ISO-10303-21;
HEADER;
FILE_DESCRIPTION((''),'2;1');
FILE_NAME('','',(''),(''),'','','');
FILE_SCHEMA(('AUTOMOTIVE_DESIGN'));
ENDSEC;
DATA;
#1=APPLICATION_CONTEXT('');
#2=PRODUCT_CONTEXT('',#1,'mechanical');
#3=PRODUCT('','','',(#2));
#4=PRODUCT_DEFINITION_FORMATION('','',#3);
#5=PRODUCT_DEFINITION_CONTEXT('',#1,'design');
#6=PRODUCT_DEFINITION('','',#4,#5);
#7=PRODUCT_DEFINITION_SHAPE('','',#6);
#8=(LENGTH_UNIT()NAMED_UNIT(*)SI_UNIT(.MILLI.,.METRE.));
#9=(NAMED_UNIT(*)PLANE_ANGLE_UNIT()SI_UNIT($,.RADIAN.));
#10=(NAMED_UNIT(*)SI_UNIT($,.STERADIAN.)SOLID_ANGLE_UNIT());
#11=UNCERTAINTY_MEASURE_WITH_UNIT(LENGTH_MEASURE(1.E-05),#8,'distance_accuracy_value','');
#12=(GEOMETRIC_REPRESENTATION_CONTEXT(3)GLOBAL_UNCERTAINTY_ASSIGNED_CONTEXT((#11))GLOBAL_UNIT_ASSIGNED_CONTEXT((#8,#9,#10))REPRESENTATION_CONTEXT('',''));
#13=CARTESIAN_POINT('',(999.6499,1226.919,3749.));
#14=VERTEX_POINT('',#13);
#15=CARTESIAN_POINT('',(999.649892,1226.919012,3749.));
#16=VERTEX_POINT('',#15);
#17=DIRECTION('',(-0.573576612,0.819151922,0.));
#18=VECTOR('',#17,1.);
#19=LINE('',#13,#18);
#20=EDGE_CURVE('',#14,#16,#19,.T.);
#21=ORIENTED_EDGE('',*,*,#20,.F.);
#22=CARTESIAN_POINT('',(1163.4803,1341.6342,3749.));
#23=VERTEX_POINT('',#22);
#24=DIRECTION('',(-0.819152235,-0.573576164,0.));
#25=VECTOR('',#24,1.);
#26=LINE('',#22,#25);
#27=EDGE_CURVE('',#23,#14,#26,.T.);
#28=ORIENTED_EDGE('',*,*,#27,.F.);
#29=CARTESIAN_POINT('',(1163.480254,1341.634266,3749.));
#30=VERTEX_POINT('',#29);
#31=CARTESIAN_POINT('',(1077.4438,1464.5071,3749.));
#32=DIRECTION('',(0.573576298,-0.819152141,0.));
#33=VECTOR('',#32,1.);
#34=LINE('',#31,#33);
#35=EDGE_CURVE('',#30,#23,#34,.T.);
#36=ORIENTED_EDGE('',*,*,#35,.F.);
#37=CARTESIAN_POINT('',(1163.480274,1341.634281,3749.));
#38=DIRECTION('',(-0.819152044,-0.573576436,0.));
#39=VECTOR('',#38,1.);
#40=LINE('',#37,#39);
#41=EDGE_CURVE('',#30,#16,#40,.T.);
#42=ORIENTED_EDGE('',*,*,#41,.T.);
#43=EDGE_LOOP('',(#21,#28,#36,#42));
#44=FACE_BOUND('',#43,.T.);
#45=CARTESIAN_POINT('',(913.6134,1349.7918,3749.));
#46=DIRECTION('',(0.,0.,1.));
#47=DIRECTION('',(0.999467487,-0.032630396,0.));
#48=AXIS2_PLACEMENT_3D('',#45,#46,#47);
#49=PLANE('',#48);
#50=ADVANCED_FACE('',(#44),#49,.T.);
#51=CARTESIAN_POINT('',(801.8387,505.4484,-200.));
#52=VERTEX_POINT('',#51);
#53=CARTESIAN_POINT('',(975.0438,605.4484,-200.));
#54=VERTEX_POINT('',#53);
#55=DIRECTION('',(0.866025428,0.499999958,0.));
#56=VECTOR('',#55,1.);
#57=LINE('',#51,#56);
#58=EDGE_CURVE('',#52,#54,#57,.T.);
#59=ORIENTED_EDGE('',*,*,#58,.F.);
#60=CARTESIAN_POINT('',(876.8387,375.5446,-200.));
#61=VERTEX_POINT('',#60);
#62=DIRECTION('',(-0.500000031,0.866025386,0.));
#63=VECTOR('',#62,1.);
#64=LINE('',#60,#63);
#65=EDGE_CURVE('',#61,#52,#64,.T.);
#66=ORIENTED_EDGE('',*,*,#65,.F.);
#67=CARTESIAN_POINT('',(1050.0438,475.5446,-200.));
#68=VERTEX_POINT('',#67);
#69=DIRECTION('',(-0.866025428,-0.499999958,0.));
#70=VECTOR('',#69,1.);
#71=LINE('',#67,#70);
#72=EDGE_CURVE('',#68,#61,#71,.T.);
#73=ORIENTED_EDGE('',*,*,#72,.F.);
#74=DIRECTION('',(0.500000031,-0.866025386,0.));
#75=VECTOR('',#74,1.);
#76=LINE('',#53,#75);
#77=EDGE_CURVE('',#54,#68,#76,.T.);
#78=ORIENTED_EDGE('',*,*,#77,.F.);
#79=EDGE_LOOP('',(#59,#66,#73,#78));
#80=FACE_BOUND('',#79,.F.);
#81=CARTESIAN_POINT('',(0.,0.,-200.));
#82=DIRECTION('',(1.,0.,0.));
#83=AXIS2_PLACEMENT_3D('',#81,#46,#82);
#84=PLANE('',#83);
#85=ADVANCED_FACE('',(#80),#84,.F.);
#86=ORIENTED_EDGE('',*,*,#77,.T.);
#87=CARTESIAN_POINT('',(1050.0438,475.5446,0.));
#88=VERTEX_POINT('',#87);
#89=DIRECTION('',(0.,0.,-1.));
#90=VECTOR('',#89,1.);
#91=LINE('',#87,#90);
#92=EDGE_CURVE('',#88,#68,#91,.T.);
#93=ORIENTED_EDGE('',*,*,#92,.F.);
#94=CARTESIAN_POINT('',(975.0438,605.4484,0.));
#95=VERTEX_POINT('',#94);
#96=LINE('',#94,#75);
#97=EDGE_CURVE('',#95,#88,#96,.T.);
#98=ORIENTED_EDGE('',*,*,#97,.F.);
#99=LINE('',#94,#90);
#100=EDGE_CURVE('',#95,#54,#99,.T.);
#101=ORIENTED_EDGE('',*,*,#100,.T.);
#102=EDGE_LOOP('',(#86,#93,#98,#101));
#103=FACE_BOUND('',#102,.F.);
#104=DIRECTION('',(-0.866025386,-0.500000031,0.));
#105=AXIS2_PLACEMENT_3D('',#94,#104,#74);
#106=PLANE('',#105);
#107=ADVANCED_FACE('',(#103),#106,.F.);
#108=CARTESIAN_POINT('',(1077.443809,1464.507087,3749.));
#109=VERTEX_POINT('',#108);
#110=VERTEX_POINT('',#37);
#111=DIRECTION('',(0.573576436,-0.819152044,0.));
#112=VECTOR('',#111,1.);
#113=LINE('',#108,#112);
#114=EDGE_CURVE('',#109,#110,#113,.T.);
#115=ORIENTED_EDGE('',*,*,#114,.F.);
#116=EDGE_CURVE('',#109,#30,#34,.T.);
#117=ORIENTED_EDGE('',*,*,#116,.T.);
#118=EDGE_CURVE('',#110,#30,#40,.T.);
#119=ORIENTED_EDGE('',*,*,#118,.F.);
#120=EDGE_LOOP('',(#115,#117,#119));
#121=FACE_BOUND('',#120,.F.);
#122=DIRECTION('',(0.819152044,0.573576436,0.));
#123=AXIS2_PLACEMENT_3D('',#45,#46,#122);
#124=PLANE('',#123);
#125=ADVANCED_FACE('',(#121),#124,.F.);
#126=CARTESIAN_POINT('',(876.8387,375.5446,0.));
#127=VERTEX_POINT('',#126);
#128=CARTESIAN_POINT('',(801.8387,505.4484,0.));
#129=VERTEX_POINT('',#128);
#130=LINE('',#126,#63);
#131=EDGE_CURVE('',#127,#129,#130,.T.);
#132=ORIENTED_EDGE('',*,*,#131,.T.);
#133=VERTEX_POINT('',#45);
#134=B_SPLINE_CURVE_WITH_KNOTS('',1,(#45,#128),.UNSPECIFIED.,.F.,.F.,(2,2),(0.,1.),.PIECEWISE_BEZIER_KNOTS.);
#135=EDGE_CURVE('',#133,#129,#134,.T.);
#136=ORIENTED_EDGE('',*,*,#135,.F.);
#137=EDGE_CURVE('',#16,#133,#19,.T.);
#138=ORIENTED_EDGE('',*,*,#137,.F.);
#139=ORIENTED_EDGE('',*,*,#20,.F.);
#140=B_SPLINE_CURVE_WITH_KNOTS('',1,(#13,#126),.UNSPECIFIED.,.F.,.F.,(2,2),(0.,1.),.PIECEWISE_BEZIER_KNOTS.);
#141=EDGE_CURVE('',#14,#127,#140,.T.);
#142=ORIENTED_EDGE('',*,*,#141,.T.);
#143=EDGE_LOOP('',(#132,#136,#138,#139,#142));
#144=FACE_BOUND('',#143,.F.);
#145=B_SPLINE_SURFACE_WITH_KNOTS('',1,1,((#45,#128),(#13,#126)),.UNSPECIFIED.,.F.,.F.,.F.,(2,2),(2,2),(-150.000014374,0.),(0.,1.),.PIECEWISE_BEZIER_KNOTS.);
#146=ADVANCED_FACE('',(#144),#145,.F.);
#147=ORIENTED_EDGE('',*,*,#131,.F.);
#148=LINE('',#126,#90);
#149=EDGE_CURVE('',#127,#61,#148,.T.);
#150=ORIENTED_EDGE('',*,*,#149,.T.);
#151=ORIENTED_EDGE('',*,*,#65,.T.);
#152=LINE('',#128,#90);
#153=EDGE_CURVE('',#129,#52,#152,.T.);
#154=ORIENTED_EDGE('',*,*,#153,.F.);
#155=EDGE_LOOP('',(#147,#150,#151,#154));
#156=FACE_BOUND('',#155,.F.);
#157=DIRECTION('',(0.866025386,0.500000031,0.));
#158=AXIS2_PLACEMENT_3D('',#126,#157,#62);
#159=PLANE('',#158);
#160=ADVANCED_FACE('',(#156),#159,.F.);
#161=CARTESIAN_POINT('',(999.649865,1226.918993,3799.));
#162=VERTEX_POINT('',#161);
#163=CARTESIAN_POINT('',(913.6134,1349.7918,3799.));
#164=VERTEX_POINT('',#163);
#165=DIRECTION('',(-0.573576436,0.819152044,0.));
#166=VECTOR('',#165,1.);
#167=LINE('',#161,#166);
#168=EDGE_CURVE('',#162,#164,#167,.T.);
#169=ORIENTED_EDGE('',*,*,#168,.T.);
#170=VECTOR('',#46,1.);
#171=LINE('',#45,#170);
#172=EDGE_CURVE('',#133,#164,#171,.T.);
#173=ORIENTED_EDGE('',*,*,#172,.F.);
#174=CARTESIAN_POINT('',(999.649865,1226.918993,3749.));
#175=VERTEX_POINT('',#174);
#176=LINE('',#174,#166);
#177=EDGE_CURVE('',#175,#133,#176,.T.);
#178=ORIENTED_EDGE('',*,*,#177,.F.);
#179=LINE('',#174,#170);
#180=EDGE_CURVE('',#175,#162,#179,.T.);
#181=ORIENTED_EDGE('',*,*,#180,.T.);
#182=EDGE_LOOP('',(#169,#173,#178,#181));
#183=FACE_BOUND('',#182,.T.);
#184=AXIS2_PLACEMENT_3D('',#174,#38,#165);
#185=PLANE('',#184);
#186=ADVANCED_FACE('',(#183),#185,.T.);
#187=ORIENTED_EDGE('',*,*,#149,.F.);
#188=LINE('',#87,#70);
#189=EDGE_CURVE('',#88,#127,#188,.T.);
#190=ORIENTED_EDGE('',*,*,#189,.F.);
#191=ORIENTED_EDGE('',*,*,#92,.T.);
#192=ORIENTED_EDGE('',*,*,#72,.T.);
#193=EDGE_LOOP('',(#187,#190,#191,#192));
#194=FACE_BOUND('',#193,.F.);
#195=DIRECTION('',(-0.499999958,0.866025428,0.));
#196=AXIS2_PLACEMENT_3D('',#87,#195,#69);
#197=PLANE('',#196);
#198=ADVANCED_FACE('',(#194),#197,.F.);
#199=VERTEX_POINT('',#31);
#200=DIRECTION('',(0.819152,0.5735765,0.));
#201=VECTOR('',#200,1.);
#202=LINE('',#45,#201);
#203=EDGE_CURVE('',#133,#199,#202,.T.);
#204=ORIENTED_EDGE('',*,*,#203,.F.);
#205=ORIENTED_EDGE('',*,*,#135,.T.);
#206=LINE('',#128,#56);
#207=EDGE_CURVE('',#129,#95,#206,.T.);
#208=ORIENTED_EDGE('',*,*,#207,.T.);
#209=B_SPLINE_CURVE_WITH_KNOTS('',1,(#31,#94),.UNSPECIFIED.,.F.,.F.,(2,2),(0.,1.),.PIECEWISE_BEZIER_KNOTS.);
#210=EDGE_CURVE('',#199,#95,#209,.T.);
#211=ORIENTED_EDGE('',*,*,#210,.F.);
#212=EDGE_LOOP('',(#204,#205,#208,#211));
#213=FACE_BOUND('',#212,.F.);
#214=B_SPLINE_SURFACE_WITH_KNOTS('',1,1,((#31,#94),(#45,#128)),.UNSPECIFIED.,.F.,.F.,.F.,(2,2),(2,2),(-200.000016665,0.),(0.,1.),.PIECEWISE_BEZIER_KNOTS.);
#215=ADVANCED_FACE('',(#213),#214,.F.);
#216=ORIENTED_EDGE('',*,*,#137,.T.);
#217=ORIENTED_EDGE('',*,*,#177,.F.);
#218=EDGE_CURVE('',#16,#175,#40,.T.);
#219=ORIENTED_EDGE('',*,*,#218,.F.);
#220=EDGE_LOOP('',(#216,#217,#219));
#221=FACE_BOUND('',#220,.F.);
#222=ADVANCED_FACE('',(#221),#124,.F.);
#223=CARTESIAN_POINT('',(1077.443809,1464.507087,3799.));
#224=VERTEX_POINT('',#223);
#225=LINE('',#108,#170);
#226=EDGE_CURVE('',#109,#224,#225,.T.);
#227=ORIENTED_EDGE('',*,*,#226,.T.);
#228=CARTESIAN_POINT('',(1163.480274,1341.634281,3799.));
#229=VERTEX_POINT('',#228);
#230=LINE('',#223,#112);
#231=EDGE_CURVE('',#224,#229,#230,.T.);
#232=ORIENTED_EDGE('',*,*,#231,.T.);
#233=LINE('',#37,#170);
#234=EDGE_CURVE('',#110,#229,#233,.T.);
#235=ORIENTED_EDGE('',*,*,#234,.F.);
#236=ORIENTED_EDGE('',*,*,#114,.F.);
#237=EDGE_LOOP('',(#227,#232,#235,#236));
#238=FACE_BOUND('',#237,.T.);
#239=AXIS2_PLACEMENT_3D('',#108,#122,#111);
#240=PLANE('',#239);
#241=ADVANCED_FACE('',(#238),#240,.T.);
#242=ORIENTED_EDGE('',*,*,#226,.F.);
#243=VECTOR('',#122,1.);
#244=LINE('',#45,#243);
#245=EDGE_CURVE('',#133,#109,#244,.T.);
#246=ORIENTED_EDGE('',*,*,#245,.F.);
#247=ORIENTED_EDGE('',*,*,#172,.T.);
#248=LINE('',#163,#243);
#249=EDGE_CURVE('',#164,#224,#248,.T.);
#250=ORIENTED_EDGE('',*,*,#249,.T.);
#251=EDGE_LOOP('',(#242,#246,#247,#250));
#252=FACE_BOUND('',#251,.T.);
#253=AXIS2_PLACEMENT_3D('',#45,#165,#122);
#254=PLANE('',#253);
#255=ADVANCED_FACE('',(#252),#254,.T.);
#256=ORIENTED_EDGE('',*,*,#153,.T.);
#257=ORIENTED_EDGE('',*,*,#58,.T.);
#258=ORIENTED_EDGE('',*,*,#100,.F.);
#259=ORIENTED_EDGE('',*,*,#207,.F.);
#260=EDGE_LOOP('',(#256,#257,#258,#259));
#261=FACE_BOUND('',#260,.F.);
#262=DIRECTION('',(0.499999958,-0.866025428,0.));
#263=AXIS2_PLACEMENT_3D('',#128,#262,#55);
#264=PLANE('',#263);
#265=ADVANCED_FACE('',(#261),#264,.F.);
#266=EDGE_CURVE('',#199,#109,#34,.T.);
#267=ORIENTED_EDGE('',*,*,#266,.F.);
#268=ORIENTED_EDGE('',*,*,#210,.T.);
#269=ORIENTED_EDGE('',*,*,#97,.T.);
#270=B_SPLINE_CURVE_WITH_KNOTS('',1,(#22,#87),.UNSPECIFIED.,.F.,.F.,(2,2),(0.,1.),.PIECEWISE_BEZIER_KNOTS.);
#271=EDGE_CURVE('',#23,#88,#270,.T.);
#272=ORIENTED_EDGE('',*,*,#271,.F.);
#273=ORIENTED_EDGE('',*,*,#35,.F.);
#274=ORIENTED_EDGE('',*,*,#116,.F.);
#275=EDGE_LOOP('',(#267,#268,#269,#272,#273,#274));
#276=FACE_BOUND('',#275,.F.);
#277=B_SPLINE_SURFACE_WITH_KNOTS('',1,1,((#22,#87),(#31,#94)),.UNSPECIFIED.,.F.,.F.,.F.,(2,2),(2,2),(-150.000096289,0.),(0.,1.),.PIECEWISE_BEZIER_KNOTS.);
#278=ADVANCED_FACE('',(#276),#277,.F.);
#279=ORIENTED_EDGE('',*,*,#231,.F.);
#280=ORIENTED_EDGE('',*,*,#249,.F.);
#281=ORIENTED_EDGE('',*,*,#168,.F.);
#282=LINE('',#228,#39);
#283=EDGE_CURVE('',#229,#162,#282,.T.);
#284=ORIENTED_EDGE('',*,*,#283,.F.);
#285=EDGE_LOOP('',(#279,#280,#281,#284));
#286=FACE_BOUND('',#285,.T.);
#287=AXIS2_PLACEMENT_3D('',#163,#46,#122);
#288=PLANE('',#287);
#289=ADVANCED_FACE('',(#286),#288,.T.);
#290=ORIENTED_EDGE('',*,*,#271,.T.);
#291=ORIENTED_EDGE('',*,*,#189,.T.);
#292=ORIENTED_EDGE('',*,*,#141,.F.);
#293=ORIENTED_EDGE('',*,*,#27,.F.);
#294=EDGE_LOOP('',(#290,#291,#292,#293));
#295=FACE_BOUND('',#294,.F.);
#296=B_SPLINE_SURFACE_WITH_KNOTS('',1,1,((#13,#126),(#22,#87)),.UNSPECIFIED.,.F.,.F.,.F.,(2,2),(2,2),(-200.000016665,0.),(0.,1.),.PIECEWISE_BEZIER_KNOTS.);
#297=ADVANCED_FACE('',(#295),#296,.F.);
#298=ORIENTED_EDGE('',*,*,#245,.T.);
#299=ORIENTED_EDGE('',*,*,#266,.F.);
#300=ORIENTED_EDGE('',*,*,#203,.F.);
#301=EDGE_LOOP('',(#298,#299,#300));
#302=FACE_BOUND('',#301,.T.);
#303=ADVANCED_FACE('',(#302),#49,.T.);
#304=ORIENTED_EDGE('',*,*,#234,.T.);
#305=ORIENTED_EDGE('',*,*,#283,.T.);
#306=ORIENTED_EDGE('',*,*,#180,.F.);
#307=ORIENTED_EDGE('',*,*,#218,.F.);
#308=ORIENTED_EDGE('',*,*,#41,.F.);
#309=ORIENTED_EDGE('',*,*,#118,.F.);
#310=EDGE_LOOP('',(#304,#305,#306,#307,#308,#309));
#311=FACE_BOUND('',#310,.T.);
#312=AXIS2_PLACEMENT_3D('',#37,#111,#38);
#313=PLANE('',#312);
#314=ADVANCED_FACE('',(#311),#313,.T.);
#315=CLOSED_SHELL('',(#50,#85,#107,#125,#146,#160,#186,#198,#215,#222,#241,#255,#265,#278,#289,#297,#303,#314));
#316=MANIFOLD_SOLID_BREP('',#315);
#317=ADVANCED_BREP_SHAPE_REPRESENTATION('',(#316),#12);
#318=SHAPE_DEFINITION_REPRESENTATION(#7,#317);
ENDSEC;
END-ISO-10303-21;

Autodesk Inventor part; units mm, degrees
ref_plane "YZ Plane" through (0, 0, 0) normal (1, 0, 0) x (0, 1, 0)
ref_plane "XZ Plane" through (0, 0, 0) normal (0, 1, 0) x (-1, 0, 0)
sketch "Sketch5" plane through (0, 0, 0) normal (0, 0, 1) x (1, 0, 0)
  line L0 (801.8387, 505.4484) -> (975.0438, 605.4484)
  line L1 (975.0438, 605.4484) -> (1050.0438, 475.5446)
  line L2 (1050.0438, 475.5446) -> (876.8387, 375.5446)
  line L3 (876.8387, 375.5446) -> (801.8387, 505.4484)
  point P0 (0, 0)
ref_plane "Work Plane6" through (0, 0, 3749) normal (0, 0, 1) x (1, 0, 0)
ref_plane "Work Plane5" through (0, 0, 0) normal (0, 0, 1) x (1, 0, 0)
sketch "Sketch6" plane through (0, 0, 3749) normal (0, 0, 1) x (1, 0, 0)
  line L0 (913.6134, 1349.7918) -> (1077.4438, 1464.5071) projected
  line L1 (1077.4438, 1464.5071) -> (1163.4803, 1341.6342) projected
  line L2 (999.6499, 1226.919) -> (913.6134, 1349.7918) projected
  line L3 (1163.4803, 1341.6342) -> (999.6499, 1226.919) projected
  point P0 (0, 0)
loft "Loft1" add profiles "Sketch6", "Sketch5"
sketch "Sketch7" plane through (0, 0, 0) normal (0, 0, 1) x (1, 0, 0)
  line L0 (975.0438, 605.4484) -> (1050.0438, 475.5446) projected
  line L1 (1050.0438, 475.5446) -> (876.8387, 375.5446) projected
  line L2 (801.8387, 505.4484) -> (975.0438, 605.4484) projected
  line L3 (876.8387, 375.5446) -> (801.8387, 505.4484) projected
  point P0 (0, 0)
extrude "Extrusion1" add sketch "Sketch7" against normal blind 200
sketch "Sketch8" plane through (913.6134, 1349.7918, 3749) normal (0, 0, 1) x (0.8192, 0.5736, 0)
  line L0 (0, 0) -> (200, 0) projected
  line L1 (0, -150) -> (0, 0) projected
  line L2 (200, -150) -> (0, -150) projected
  line L3 (200, 0) -> (200, -150) projected
  point P0 (-1522.5971, -581.6575)
extrude "Extrusion2" add sketch "Sketch8" along normal blind 50
properties part number "support_beam_0101" material "Wood (Maple)"
